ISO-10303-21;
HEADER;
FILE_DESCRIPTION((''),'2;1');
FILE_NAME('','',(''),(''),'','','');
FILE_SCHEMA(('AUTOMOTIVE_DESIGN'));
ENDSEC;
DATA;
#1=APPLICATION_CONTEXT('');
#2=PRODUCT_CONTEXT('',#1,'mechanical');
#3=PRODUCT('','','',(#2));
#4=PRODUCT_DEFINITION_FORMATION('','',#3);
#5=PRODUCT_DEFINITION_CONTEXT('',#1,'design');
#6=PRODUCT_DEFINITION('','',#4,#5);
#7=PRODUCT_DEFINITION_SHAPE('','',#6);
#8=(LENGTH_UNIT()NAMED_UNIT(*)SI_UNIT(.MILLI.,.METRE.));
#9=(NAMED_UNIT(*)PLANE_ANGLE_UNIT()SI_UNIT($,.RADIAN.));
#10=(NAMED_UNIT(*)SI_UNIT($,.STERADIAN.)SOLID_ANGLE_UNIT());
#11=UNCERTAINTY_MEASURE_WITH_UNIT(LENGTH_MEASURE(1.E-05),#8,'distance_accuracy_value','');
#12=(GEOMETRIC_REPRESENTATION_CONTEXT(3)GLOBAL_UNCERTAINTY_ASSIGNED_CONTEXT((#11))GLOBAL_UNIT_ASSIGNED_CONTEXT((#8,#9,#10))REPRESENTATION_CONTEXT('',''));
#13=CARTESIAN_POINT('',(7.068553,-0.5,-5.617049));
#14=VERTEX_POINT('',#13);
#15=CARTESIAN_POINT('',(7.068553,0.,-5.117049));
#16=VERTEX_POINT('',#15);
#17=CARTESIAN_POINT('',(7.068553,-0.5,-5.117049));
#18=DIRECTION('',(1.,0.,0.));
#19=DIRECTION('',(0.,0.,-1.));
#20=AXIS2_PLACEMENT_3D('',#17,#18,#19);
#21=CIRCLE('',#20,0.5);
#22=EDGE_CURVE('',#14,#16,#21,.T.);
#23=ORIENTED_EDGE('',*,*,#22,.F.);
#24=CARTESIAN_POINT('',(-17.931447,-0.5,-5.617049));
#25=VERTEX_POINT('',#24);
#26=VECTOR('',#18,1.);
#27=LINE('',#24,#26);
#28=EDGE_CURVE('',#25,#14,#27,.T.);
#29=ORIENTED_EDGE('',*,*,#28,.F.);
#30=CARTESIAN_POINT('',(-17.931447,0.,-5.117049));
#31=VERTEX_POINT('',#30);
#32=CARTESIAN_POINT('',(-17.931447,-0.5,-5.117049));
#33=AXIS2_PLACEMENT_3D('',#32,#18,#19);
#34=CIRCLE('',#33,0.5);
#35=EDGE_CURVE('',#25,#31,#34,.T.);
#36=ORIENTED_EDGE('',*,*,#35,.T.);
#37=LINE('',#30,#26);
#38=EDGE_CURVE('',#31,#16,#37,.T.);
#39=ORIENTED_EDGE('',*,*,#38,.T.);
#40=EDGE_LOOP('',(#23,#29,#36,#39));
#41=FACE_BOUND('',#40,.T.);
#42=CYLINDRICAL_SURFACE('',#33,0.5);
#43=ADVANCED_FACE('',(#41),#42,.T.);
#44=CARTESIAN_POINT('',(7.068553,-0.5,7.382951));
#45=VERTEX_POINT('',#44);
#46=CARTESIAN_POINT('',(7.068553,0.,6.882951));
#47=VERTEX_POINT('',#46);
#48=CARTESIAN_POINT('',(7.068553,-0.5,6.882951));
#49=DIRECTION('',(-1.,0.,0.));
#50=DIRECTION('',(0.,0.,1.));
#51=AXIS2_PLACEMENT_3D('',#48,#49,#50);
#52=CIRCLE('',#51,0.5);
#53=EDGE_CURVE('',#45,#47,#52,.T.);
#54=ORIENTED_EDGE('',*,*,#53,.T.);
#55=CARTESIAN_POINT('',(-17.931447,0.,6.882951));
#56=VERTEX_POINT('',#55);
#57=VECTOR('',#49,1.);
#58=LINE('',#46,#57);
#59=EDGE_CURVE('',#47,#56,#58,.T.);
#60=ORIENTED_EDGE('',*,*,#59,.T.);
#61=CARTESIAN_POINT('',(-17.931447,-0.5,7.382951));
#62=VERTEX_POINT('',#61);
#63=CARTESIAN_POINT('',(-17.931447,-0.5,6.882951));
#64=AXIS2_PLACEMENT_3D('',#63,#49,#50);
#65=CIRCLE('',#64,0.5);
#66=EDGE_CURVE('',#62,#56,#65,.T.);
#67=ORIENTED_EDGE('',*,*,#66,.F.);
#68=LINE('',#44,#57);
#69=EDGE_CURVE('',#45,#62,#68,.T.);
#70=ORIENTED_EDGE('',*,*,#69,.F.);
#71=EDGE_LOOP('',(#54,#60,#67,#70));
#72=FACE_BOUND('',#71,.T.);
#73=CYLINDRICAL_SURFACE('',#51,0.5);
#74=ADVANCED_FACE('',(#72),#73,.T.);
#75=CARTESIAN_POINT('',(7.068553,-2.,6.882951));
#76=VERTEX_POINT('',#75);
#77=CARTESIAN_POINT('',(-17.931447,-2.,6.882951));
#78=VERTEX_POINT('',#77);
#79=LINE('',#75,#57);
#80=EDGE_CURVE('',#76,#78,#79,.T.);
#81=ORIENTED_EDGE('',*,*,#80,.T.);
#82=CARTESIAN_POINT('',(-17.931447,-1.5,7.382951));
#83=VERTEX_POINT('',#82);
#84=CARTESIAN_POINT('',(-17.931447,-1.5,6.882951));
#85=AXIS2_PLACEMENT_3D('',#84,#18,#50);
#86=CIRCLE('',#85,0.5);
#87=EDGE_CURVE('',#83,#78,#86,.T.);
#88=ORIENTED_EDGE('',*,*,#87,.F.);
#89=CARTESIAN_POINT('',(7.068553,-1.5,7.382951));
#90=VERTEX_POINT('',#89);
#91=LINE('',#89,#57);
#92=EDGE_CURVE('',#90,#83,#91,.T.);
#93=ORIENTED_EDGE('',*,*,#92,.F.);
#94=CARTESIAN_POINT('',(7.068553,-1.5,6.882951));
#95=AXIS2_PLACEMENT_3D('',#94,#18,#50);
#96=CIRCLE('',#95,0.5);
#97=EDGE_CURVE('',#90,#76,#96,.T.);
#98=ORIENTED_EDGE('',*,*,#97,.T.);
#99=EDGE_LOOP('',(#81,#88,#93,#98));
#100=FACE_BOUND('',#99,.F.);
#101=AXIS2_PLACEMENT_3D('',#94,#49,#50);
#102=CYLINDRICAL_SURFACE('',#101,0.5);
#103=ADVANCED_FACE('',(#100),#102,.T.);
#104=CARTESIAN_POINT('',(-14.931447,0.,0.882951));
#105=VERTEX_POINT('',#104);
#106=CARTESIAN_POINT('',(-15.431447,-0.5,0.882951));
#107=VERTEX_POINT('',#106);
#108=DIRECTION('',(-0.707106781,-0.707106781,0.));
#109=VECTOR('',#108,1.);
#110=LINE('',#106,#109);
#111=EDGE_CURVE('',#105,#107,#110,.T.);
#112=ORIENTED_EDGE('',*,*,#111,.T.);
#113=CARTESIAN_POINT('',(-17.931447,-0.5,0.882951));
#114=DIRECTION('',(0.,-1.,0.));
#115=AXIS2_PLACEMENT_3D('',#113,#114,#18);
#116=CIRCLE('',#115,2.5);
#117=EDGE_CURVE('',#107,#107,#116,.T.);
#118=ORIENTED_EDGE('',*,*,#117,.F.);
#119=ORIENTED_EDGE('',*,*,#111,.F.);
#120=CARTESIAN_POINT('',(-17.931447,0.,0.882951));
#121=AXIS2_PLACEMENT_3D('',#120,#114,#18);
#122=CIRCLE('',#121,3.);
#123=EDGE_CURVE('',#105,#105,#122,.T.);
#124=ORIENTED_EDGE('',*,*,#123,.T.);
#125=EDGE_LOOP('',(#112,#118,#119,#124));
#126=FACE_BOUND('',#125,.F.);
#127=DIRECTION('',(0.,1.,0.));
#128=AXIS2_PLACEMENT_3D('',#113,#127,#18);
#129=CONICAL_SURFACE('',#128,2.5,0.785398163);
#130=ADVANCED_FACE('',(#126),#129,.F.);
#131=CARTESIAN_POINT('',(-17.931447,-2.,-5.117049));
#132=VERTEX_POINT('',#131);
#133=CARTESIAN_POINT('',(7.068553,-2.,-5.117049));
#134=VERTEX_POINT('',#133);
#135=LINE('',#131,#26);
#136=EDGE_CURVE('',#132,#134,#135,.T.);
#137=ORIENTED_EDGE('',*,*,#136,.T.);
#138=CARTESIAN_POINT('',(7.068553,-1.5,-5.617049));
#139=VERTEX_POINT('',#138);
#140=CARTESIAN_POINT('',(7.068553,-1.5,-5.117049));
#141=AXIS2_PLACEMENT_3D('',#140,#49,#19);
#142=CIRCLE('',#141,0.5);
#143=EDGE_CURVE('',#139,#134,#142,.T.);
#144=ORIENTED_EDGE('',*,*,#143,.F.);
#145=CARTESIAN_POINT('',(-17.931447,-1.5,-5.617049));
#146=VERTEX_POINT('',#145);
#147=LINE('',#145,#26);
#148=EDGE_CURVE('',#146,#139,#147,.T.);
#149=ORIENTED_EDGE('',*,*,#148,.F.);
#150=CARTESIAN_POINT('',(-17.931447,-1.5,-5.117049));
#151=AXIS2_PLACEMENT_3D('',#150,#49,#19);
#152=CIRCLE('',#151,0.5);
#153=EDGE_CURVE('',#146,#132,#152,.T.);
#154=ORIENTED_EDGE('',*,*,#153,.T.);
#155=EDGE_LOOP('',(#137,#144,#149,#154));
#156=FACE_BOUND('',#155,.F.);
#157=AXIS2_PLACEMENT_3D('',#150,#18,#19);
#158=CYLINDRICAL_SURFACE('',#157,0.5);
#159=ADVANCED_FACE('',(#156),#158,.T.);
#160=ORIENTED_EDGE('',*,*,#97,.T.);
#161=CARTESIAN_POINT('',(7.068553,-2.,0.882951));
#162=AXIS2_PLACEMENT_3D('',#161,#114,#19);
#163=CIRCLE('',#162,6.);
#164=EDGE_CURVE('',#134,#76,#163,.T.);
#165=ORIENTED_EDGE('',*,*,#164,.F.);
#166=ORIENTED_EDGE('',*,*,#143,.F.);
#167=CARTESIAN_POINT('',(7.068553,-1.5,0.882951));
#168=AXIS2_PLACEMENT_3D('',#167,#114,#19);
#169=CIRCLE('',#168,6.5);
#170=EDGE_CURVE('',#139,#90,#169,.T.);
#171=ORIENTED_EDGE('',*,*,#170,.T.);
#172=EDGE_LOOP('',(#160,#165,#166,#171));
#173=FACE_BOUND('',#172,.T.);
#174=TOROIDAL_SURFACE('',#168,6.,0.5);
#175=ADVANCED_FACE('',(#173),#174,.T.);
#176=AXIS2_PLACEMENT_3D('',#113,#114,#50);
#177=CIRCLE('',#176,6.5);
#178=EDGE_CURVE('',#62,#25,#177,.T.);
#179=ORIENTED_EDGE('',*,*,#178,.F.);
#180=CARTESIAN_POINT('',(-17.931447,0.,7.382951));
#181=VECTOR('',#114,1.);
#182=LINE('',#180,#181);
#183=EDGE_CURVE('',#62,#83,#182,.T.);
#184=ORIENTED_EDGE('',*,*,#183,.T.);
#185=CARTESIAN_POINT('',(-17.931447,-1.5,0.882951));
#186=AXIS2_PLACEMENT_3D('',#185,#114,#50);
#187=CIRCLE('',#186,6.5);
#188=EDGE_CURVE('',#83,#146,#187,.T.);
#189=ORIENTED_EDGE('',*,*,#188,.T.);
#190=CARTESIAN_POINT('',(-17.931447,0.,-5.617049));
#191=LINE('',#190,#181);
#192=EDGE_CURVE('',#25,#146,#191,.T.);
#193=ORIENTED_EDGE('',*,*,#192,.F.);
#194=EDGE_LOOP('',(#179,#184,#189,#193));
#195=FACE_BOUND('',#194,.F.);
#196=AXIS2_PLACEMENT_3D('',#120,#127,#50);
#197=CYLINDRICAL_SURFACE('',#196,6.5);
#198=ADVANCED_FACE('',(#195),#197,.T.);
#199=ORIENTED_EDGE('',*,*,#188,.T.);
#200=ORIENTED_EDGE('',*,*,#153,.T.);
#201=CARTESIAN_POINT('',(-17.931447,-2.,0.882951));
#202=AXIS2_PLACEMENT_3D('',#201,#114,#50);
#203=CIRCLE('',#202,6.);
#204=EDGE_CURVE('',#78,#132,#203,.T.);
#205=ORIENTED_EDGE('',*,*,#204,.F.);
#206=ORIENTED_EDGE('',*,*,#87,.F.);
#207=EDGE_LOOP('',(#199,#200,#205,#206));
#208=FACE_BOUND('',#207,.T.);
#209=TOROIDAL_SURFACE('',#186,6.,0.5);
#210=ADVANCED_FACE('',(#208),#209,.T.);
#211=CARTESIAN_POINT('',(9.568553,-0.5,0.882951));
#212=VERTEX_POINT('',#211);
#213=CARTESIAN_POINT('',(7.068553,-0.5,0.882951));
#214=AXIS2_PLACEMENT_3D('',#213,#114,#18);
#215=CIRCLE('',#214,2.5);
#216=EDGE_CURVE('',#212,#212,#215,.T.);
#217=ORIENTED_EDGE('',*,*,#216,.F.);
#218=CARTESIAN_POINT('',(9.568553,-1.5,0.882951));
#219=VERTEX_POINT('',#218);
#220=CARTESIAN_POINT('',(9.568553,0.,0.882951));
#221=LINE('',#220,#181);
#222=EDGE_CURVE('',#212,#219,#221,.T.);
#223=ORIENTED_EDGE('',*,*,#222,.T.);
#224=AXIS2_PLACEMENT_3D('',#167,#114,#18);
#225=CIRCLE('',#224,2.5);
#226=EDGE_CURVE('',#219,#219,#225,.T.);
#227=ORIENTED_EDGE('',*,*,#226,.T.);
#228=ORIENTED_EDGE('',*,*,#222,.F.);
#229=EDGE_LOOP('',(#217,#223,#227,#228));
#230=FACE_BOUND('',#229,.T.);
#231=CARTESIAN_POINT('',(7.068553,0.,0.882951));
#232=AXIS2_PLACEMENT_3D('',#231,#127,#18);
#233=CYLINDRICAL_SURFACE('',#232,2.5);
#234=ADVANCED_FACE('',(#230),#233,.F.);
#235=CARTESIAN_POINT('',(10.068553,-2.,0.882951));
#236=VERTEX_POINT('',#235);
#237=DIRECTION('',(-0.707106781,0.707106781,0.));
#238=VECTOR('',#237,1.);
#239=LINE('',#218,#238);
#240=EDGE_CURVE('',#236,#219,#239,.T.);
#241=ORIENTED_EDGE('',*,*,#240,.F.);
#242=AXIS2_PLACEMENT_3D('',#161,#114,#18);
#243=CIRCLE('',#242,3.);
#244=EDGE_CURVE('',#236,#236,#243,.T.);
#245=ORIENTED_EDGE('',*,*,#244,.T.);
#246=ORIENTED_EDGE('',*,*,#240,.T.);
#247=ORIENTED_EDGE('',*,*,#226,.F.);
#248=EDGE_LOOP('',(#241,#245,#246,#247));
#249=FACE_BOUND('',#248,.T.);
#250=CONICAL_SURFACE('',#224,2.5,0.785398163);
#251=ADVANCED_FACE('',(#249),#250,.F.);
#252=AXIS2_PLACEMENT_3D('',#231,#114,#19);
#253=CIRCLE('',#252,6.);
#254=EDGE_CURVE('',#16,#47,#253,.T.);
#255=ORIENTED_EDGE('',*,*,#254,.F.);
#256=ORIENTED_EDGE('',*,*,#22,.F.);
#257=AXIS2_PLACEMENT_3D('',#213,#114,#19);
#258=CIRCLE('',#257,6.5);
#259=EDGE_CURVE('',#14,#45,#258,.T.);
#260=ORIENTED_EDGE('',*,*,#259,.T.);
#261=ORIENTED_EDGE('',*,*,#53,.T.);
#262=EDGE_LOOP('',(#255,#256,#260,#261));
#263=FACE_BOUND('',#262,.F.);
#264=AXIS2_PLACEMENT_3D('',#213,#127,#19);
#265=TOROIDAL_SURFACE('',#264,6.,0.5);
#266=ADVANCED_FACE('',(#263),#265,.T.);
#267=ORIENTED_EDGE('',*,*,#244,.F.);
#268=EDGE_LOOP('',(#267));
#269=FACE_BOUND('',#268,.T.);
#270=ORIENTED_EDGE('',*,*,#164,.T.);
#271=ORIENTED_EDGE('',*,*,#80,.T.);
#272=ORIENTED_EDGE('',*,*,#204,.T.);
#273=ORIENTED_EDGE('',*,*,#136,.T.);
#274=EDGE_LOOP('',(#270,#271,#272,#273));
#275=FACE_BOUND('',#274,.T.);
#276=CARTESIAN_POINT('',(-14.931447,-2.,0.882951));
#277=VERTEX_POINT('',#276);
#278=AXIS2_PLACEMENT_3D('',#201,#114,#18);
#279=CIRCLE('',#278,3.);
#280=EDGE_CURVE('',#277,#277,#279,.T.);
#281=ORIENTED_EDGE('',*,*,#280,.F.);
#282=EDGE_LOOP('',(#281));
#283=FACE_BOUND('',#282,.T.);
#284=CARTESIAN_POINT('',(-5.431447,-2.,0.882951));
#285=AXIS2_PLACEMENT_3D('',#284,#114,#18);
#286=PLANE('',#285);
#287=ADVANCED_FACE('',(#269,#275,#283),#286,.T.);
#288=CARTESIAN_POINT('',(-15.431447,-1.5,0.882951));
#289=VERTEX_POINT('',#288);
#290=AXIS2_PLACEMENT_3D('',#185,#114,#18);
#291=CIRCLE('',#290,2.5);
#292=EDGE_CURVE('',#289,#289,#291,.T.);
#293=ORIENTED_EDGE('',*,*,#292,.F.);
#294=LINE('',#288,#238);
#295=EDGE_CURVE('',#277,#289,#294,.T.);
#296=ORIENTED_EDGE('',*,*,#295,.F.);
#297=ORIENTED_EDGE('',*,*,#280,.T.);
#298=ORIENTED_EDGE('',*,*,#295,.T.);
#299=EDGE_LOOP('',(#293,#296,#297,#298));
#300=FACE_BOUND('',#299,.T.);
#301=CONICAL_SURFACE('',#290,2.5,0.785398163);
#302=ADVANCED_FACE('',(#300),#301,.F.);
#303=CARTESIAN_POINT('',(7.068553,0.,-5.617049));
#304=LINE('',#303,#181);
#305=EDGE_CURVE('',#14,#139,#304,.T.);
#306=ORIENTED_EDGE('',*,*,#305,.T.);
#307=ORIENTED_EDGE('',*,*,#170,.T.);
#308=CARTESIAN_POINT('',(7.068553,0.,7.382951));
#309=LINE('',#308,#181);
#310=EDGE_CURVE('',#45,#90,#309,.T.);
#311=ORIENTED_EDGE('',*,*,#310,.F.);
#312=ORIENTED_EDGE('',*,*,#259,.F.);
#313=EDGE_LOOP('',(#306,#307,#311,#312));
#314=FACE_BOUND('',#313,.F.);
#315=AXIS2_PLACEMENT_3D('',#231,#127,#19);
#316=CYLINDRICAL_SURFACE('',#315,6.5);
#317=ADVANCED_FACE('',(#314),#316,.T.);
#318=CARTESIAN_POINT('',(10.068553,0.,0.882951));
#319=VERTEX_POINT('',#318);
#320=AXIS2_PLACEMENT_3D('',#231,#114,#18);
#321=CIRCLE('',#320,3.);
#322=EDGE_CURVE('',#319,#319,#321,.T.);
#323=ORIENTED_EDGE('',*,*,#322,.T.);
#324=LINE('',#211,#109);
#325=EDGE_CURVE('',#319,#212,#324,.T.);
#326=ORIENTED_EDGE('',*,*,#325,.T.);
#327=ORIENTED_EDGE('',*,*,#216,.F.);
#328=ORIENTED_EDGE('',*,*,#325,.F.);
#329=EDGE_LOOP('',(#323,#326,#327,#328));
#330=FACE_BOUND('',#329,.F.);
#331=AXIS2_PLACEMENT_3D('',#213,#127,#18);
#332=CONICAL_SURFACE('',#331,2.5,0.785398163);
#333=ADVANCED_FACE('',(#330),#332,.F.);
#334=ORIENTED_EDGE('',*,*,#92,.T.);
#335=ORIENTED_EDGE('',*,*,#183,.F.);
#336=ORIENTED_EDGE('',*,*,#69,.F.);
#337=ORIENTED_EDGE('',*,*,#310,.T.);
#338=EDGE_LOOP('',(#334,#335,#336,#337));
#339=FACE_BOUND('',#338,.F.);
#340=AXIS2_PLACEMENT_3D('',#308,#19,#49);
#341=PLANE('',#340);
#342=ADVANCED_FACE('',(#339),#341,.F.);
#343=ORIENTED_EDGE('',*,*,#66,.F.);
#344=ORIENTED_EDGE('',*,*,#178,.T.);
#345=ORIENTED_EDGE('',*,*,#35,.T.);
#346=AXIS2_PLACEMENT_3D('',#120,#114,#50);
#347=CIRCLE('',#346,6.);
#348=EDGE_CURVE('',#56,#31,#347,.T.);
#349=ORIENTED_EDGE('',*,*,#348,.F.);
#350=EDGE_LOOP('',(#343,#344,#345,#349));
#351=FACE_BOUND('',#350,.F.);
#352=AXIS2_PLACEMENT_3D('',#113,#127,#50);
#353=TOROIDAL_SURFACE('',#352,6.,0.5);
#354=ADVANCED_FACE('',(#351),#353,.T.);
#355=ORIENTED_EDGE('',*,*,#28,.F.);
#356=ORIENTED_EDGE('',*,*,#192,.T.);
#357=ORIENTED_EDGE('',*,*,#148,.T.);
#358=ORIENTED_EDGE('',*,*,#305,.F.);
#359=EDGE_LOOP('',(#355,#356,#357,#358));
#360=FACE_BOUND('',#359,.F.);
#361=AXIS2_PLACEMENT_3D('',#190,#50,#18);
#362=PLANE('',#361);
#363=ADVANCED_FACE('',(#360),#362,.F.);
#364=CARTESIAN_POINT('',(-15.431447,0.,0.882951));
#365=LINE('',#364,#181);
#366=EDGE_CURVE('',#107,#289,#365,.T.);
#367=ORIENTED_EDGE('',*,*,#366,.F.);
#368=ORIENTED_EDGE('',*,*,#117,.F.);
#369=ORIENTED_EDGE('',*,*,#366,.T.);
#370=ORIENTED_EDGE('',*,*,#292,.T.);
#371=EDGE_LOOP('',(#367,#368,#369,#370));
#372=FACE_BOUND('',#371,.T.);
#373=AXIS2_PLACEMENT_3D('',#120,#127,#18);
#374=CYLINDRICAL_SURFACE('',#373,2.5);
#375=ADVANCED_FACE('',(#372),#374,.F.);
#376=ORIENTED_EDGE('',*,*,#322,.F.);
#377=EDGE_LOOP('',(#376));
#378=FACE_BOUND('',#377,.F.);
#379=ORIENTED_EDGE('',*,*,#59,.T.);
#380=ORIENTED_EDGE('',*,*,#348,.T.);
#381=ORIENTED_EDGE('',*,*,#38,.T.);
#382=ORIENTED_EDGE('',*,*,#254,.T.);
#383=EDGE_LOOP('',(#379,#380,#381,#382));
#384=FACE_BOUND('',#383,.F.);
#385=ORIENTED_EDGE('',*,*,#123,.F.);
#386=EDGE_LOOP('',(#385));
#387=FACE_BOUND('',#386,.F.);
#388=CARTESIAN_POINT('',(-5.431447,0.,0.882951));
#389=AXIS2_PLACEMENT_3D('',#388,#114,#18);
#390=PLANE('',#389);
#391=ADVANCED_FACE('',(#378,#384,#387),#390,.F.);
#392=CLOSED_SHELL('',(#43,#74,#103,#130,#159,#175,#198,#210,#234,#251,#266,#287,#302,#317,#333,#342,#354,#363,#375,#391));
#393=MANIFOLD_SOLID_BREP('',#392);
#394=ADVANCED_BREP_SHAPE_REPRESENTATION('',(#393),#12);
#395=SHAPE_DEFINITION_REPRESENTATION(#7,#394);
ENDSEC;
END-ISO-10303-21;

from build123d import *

# Parameters (mm, degrees)
F0_R     = 2.5
F1_DEPTH = 2
F2_R     = 0.5
F3_SIZE  = 0.5


with BuildPart() as f1:
    # F0 (on Front) → F1 (new body)
    with BuildSketch(Plane.XZ):
        with BuildLine():
            Line((7.068553, 7.382951), (-17.931447, 7.382951))
            ThreePointArc((-17.931447, 7.382951), (-24.431447, 0.882951), (-17.931447, -5.617049))
            Line((-17.931447, -5.617049), (7.068553, -5.617049))
            ThreePointArc((7.068553, -5.617049), (13.568553, 0.882951), (7.068553, 7.382951))
        make_face()
        with Locations((7.068553, 0.882951)):
            Circle(F0_R, mode=Mode.SUBTRACT)
        with Locations((-17.931447, 0.882951)):
            Circle(F0_R, mode=Mode.SUBTRACT)
    extrude(amount=F1_DEPTH)

    # F2
    f2_edges = [f1.edges().sort_by_distance(p)[0] for p in [
        (-5.431447, -2, 7.382951),
        (-24.431447, 0, 0.882951),
    ]]
    fillet(f2_edges, radius=F2_R)

    # F3
    f3_edges = [f1.edges().sort_by_distance(p)[0] for p in [
        (-20.431447, 0, 0.882951),
        (4.568553, 0, 0.882951),
        (-20.431447, -2, 0.882951),
        (4.568553, -2, 0.882951),
    ]]
    chamfer(f3_edges, length=F3_SIZE)


solid = f1.part
